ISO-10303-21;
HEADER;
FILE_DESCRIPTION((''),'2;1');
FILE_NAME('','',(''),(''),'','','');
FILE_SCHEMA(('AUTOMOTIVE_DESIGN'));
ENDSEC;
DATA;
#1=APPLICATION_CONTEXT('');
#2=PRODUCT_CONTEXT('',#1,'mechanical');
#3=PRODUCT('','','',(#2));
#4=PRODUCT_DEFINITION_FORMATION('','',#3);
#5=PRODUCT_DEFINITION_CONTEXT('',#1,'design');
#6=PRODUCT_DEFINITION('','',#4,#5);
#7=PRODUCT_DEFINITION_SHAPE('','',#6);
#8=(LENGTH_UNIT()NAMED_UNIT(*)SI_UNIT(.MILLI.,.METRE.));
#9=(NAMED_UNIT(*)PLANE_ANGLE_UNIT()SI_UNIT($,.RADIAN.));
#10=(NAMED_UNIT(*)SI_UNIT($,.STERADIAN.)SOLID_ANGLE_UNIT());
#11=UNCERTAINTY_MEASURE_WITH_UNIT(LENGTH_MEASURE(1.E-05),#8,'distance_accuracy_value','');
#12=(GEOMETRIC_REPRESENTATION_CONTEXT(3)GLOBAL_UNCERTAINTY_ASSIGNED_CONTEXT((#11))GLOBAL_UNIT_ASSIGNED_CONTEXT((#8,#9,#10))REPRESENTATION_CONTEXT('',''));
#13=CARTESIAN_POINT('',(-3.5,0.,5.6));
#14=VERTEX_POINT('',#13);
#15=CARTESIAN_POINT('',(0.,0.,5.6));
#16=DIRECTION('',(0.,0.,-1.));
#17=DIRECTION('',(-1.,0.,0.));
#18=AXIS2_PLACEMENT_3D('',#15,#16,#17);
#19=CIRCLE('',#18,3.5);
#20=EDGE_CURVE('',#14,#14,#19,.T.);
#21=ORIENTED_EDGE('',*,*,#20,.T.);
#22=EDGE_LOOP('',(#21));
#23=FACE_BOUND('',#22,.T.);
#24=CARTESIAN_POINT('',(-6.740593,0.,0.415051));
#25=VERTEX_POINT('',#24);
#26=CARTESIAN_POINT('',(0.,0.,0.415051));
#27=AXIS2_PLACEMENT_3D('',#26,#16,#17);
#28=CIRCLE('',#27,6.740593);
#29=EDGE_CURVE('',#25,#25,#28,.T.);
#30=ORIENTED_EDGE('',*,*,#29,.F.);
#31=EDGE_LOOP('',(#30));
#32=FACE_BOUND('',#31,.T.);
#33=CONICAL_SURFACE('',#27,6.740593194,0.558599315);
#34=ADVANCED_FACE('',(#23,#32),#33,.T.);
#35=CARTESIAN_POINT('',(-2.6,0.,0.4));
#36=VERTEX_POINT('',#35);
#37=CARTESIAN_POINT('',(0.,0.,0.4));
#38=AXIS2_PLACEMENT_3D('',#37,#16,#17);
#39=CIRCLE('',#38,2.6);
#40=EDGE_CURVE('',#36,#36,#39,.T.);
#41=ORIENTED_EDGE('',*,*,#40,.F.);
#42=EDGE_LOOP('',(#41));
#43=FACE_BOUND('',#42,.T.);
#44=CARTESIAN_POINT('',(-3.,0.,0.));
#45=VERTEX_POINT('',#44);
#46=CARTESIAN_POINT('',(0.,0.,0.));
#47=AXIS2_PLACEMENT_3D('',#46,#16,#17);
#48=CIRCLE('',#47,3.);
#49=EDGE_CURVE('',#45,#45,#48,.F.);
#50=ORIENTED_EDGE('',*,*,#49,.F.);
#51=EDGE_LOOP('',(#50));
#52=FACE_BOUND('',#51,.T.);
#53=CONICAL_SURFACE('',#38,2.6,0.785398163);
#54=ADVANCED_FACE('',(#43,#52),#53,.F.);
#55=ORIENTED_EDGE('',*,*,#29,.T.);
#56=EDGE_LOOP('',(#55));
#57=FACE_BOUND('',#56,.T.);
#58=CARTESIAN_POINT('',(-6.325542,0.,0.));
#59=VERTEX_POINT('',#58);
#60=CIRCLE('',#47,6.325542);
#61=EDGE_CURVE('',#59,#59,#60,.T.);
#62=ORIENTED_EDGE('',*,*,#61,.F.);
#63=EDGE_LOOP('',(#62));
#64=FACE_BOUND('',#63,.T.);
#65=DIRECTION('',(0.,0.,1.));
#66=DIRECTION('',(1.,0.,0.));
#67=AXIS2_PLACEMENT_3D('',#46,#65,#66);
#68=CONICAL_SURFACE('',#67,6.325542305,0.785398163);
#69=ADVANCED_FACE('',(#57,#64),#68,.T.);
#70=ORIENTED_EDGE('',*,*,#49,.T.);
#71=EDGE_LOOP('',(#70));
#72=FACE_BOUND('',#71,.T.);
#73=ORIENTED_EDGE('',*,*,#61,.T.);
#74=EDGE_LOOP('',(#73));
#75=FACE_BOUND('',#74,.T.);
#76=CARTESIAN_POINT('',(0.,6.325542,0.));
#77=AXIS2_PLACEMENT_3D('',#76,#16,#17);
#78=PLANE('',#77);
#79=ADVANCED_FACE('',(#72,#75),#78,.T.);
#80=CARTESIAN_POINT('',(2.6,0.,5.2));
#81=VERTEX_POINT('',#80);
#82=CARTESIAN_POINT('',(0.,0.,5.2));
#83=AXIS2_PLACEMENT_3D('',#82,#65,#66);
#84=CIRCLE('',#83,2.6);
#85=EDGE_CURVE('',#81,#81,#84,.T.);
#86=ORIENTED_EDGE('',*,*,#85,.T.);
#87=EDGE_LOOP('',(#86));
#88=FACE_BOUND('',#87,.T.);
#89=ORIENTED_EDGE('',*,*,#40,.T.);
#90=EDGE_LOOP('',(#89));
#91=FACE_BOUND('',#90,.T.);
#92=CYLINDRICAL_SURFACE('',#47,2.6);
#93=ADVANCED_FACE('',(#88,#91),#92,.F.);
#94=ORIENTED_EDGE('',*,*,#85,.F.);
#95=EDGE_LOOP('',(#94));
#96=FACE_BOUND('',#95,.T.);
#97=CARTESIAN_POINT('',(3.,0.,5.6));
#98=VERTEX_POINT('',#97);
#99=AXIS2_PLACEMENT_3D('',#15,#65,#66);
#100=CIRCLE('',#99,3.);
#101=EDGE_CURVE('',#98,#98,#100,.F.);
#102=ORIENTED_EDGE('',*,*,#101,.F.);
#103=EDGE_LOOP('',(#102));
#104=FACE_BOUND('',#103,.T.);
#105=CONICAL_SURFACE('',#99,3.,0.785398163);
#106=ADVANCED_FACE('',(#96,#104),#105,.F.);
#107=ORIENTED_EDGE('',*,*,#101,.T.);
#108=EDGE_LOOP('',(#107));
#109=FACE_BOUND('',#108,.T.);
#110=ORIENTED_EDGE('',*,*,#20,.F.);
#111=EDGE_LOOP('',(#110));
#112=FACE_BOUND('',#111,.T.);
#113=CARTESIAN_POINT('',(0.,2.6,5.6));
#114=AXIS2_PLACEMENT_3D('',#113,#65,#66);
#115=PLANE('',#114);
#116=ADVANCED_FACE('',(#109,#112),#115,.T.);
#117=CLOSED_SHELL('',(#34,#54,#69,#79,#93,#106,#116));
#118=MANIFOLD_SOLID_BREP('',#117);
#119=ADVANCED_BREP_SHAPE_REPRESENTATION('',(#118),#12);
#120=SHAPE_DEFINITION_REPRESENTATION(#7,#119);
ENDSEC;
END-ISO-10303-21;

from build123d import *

# Parameters (mm, degrees)
FASE1_SIZE = 0.4


with BuildPart() as part:
    # Skizze5 → Rotation1 (revolve)
    with BuildSketch(Plane(origin=(0, 0, 0), x_dir=(0, 0, -1), z_dir=(1, 0, 0)), mode=Mode.PRIVATE) as rotation1_sk:
        Polygon((0, 2.6), (-5.6, 2.6), (-5.6, 3.5), (-0.415050889, 6.740593194), (0, 6.325542305), align=None)
    revolve(rotation1_sk.sketch.rotate(Axis((0, 0, 0), (0, 0, 1)), 90), axis=Axis((0, 0, 0), (0, 0, 1)))

    # Fase1
    fase1_edges = [part.edges().sort_by_distance(p)[0] for p in [
        (2.6, 0, 5.6),
        (2.6, 0, 0),
    ]]
    chamfer(fase1_edges, length=FASE1_SIZE)


solid = part.part
